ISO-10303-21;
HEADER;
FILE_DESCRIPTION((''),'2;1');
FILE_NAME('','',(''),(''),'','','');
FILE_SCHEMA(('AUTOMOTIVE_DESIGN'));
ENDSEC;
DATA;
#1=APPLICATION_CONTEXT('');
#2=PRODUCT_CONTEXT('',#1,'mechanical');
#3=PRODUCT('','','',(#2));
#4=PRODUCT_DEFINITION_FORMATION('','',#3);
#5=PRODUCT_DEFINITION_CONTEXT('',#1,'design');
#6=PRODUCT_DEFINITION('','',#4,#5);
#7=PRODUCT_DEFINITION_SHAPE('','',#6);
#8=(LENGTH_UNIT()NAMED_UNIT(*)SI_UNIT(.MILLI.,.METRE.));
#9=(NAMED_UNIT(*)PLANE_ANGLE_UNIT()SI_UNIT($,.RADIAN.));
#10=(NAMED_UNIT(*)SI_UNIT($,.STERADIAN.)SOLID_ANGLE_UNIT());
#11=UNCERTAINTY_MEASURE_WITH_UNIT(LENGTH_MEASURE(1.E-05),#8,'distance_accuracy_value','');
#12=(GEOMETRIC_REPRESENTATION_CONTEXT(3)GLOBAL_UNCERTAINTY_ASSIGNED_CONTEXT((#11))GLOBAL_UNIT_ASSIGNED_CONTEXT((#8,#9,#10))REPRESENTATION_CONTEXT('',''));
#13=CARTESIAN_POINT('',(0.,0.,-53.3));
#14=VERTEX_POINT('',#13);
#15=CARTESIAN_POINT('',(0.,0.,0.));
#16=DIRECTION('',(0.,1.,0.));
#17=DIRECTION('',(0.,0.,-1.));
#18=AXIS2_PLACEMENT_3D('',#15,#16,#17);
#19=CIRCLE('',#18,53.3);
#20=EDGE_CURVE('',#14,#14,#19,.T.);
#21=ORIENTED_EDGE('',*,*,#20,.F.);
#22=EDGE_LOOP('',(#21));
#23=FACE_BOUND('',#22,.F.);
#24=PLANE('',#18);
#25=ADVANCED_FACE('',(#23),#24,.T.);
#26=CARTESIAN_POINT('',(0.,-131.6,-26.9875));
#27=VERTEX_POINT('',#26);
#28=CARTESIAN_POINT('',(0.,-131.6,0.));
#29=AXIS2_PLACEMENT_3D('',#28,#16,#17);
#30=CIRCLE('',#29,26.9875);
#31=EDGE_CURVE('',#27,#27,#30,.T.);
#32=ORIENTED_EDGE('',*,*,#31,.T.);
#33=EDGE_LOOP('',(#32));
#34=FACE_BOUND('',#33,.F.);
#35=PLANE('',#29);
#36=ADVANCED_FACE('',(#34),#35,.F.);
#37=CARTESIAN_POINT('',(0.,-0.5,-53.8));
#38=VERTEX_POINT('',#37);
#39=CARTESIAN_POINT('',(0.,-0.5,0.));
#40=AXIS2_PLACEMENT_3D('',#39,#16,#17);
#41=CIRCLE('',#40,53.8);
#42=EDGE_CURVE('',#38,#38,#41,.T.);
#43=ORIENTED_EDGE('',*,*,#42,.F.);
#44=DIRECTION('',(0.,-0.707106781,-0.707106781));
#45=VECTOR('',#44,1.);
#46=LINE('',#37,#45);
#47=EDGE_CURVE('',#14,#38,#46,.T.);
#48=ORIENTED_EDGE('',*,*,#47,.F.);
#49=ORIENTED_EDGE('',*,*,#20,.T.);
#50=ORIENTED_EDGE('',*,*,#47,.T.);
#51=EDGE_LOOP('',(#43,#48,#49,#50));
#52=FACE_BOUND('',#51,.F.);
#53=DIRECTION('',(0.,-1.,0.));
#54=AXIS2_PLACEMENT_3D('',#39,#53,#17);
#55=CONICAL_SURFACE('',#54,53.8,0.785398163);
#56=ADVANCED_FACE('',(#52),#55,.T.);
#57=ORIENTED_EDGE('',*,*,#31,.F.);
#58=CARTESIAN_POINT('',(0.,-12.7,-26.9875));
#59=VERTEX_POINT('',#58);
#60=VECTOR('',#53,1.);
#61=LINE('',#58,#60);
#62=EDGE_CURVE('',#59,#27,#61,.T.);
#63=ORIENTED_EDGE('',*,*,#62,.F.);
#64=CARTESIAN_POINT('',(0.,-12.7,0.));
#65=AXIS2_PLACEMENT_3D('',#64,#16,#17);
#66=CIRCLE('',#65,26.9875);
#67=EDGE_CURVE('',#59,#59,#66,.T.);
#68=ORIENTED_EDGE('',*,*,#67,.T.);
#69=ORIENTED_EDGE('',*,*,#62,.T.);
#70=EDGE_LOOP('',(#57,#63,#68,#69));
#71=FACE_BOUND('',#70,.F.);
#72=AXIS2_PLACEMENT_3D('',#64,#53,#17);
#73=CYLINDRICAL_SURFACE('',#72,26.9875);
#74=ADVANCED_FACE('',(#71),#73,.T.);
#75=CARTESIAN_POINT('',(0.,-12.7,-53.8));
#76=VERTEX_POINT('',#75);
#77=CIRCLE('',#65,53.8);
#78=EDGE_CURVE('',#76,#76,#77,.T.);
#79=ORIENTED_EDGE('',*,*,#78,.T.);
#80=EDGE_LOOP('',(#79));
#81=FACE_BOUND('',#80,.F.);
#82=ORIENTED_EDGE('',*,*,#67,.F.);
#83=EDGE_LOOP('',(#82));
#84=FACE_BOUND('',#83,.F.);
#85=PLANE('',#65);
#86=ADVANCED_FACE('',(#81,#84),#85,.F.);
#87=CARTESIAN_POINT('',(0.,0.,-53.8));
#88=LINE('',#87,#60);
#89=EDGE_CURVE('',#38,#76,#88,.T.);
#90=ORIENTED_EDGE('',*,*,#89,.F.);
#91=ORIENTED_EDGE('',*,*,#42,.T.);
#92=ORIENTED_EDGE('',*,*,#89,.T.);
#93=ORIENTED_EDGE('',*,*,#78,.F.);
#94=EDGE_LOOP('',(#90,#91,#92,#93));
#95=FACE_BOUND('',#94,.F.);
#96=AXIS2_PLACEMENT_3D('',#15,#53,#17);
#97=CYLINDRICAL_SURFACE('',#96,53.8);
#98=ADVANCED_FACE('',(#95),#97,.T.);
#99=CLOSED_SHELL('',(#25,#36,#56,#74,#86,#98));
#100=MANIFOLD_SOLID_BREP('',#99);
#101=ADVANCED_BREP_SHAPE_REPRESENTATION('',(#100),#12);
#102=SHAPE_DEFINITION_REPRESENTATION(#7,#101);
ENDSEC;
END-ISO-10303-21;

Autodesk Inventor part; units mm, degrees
ref_plane "YZ Plane" through (0, 0, 0) normal (1, 0, 0) x (0, 1, 0)
ref_plane "XZ Plane" through (0, 0, 0) normal (0, 1, 0) x (-1, 0, 0)
ref_plane "XY Plane" through (0, 0, 0) normal (0, 0, 1) x (1, 0, 0)
sketch "Sketch1" plane through (0, 0, 0) normal (1, 0, 0) x (0, 1, 0)
  line L0 (0, 0) -> (0, -53.8)
  line L1 (0, -53.8) -> (-12.7, -53.8)
  line L2 (-12.7, -53.8) -> (-12.7, -26.9875)
  line L3 (-12.7, -26.9875) -> (-131.6, -26.9875)
  line L4 (-131.6, -26.9875) -> (-131.6, 0)
  line L5 (-131.6, 0) -> (0, 0)
  dimension "d0" = 53.8
  dimension "d1" = 131.6
  dimension "d2" = 26.9875
  dimension "d4" = 12.7
revolve "Revolution1" add sketch "Sketch1" angle 360 about axis through (0, -131.6, 0) along (0, 1, 0)
chamfer "Chamfer1" distance 0.5 angle 45 1 edges at (0, 0, 53.8)
properties part number "Durometer_Platform"
